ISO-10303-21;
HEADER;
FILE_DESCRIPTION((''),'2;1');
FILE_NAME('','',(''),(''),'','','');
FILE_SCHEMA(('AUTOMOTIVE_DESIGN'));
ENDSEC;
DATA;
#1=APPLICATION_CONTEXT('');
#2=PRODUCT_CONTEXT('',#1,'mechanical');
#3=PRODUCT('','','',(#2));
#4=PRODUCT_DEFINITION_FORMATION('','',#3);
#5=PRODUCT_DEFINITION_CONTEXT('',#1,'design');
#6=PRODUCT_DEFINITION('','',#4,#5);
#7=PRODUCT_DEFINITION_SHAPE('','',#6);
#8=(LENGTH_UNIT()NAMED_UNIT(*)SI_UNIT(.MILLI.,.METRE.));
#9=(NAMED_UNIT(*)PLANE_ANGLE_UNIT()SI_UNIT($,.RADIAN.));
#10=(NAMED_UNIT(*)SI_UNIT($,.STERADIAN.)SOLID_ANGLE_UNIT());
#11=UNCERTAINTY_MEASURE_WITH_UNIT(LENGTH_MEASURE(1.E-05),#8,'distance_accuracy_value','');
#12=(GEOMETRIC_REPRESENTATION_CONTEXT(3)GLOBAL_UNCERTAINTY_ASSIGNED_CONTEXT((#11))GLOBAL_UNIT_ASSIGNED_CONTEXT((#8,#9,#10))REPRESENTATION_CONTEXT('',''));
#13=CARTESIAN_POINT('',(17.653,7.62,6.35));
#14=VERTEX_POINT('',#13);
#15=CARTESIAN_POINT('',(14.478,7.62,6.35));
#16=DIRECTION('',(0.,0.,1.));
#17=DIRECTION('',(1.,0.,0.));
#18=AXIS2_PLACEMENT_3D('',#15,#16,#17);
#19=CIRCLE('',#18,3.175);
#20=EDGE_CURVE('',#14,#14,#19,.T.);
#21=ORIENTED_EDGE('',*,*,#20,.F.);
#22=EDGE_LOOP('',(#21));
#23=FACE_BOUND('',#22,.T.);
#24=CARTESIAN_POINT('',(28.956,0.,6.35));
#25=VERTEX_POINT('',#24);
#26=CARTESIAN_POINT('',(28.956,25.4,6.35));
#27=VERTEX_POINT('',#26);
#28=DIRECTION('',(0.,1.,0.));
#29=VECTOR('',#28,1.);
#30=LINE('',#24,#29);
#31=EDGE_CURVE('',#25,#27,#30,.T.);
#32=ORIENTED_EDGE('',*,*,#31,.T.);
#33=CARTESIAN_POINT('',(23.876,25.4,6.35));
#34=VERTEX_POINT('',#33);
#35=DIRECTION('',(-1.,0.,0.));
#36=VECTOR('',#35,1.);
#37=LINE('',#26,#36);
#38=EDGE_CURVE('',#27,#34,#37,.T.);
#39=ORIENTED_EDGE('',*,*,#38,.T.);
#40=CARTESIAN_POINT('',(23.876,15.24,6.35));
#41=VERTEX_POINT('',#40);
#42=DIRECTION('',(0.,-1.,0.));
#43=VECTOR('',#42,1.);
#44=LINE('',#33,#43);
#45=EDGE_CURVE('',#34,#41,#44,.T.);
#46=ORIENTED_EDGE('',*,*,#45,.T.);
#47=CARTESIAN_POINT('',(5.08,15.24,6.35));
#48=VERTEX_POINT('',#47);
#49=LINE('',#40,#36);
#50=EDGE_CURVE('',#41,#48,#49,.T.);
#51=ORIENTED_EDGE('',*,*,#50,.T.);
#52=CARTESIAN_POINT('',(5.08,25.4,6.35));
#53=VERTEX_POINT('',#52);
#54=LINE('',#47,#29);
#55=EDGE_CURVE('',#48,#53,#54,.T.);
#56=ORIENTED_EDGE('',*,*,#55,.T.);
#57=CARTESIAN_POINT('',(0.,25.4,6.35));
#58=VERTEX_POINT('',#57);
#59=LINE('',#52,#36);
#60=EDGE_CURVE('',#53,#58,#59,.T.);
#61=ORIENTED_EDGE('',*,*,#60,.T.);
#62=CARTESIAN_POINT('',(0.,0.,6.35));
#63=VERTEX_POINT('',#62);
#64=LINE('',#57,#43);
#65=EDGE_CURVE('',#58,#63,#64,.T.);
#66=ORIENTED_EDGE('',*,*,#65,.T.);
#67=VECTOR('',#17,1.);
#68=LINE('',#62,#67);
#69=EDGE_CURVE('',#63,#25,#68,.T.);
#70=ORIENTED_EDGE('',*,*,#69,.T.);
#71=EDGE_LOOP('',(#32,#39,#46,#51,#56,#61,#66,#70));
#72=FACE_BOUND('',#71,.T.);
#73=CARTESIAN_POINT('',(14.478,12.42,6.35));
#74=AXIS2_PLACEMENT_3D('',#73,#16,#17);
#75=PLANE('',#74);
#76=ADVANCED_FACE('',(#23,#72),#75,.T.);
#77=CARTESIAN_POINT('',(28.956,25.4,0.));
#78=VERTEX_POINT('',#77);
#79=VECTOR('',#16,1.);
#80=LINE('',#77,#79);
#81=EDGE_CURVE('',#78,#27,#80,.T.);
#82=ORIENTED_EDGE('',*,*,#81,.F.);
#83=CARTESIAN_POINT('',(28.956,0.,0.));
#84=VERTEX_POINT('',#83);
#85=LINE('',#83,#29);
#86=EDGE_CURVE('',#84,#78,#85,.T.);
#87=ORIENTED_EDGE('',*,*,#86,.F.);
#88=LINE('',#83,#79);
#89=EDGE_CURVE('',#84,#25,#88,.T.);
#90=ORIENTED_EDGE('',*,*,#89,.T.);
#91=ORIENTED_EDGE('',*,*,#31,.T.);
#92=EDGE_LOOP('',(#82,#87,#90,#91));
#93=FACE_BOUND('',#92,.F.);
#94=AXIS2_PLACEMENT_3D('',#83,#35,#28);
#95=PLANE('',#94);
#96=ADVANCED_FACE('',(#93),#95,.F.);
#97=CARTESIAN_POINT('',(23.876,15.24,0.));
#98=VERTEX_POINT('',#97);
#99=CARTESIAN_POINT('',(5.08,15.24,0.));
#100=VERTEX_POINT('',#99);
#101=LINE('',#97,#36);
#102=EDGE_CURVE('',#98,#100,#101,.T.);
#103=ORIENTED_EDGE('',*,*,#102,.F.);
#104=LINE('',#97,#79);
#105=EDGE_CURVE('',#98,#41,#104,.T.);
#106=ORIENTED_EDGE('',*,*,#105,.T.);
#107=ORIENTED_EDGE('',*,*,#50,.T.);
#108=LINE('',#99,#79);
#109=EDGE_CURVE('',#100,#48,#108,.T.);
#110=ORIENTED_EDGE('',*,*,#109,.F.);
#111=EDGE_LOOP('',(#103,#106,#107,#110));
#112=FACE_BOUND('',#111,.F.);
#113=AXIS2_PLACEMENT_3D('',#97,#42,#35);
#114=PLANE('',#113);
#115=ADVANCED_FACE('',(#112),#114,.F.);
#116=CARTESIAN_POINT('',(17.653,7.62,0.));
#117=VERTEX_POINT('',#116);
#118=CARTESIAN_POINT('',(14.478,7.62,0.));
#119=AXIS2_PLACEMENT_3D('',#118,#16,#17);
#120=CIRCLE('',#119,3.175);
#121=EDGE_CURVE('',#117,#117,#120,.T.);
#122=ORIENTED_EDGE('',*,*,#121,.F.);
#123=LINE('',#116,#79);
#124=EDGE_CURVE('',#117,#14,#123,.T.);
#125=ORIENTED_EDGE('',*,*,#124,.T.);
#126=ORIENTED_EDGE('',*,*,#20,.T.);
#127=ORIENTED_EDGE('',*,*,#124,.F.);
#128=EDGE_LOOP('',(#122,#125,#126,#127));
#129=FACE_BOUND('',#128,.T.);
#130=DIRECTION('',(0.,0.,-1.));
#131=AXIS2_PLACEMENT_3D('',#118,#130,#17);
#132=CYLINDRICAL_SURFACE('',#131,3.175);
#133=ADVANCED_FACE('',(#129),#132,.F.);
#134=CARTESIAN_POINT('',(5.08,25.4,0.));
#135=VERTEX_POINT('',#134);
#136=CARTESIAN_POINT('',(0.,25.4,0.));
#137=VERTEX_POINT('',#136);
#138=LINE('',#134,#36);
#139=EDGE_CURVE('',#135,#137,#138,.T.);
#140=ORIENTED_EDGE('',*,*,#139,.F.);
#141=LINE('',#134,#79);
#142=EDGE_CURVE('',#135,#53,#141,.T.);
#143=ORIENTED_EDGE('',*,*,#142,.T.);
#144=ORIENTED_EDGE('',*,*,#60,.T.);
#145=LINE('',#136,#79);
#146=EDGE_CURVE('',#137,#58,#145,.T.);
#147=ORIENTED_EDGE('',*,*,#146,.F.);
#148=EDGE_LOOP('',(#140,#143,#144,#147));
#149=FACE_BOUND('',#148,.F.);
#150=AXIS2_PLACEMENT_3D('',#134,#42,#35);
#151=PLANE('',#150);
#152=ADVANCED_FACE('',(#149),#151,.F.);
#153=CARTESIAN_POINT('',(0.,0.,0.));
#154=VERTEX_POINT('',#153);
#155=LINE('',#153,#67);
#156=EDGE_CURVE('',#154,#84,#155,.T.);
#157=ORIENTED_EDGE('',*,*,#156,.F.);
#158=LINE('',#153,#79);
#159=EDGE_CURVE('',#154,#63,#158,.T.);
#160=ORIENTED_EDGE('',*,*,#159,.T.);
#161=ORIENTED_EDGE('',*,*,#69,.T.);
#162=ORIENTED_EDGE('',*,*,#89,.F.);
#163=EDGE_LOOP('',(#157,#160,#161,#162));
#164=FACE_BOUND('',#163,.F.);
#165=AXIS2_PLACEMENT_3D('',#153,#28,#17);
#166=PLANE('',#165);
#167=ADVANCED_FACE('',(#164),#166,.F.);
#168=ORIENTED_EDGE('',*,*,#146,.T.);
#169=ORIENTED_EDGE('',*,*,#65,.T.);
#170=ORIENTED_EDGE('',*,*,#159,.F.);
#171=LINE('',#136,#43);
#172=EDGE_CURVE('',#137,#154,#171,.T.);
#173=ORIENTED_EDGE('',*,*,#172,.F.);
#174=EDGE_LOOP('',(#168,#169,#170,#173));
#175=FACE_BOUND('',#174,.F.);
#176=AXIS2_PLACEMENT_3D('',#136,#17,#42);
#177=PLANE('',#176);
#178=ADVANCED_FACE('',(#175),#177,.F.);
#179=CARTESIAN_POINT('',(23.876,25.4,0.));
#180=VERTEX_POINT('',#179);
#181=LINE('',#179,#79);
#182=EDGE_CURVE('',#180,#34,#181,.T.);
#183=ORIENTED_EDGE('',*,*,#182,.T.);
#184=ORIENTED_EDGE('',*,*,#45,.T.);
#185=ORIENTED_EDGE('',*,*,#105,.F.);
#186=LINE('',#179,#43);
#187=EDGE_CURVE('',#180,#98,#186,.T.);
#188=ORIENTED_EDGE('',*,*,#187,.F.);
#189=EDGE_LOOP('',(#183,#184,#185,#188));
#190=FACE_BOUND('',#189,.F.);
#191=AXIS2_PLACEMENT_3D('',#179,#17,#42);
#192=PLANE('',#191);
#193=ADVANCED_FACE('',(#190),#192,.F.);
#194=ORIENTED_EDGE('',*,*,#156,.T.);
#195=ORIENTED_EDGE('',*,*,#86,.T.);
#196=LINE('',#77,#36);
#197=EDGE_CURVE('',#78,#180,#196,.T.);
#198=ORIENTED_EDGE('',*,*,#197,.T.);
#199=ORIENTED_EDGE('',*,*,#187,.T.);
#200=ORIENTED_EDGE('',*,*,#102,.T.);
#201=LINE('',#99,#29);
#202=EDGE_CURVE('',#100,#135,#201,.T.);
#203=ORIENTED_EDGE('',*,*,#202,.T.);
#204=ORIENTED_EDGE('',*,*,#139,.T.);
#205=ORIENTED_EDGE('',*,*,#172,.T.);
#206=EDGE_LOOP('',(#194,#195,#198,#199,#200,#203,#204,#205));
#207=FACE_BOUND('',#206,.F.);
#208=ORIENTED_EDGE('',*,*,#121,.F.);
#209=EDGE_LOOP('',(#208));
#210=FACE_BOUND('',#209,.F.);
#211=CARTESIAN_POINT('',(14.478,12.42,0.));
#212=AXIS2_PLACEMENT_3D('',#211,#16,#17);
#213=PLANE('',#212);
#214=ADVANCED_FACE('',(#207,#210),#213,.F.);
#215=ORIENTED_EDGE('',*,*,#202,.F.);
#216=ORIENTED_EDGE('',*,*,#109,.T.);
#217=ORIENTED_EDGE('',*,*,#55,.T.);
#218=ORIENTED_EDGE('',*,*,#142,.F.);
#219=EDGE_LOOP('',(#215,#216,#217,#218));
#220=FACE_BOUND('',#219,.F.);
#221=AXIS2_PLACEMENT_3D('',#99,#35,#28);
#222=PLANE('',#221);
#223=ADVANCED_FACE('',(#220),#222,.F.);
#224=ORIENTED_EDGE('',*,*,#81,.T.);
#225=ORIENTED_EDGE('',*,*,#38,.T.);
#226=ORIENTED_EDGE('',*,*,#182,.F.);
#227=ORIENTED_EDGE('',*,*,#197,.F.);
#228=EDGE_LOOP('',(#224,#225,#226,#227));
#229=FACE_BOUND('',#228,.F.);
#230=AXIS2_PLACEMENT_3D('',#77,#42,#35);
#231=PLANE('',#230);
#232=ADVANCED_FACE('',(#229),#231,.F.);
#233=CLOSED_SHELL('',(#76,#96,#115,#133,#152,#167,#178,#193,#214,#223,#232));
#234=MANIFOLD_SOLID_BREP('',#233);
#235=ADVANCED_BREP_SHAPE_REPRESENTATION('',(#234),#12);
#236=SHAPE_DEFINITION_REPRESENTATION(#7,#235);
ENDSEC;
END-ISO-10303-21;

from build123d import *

# Parameters (mm, degrees)
F0_R     = 3.175
F1_DEPTH = 6.35


with BuildPart() as f1:
    # F0 (on Top) → F1 (new body)
    with BuildSketch(Plane.XY):
        Polygon((0, 25.4), (0, 0), (14.478, 0), (28.956, 0), (28.956, 25.4), (23.876, 25.4), (23.876, 15.24), (5.08, 15.24), (5.08, 25.4), align=None)
        with Locations((14.478, 7.62)):
            Circle(F0_R, mode=Mode.SUBTRACT)
    extrude(amount=F1_DEPTH)


solid = f1.part
